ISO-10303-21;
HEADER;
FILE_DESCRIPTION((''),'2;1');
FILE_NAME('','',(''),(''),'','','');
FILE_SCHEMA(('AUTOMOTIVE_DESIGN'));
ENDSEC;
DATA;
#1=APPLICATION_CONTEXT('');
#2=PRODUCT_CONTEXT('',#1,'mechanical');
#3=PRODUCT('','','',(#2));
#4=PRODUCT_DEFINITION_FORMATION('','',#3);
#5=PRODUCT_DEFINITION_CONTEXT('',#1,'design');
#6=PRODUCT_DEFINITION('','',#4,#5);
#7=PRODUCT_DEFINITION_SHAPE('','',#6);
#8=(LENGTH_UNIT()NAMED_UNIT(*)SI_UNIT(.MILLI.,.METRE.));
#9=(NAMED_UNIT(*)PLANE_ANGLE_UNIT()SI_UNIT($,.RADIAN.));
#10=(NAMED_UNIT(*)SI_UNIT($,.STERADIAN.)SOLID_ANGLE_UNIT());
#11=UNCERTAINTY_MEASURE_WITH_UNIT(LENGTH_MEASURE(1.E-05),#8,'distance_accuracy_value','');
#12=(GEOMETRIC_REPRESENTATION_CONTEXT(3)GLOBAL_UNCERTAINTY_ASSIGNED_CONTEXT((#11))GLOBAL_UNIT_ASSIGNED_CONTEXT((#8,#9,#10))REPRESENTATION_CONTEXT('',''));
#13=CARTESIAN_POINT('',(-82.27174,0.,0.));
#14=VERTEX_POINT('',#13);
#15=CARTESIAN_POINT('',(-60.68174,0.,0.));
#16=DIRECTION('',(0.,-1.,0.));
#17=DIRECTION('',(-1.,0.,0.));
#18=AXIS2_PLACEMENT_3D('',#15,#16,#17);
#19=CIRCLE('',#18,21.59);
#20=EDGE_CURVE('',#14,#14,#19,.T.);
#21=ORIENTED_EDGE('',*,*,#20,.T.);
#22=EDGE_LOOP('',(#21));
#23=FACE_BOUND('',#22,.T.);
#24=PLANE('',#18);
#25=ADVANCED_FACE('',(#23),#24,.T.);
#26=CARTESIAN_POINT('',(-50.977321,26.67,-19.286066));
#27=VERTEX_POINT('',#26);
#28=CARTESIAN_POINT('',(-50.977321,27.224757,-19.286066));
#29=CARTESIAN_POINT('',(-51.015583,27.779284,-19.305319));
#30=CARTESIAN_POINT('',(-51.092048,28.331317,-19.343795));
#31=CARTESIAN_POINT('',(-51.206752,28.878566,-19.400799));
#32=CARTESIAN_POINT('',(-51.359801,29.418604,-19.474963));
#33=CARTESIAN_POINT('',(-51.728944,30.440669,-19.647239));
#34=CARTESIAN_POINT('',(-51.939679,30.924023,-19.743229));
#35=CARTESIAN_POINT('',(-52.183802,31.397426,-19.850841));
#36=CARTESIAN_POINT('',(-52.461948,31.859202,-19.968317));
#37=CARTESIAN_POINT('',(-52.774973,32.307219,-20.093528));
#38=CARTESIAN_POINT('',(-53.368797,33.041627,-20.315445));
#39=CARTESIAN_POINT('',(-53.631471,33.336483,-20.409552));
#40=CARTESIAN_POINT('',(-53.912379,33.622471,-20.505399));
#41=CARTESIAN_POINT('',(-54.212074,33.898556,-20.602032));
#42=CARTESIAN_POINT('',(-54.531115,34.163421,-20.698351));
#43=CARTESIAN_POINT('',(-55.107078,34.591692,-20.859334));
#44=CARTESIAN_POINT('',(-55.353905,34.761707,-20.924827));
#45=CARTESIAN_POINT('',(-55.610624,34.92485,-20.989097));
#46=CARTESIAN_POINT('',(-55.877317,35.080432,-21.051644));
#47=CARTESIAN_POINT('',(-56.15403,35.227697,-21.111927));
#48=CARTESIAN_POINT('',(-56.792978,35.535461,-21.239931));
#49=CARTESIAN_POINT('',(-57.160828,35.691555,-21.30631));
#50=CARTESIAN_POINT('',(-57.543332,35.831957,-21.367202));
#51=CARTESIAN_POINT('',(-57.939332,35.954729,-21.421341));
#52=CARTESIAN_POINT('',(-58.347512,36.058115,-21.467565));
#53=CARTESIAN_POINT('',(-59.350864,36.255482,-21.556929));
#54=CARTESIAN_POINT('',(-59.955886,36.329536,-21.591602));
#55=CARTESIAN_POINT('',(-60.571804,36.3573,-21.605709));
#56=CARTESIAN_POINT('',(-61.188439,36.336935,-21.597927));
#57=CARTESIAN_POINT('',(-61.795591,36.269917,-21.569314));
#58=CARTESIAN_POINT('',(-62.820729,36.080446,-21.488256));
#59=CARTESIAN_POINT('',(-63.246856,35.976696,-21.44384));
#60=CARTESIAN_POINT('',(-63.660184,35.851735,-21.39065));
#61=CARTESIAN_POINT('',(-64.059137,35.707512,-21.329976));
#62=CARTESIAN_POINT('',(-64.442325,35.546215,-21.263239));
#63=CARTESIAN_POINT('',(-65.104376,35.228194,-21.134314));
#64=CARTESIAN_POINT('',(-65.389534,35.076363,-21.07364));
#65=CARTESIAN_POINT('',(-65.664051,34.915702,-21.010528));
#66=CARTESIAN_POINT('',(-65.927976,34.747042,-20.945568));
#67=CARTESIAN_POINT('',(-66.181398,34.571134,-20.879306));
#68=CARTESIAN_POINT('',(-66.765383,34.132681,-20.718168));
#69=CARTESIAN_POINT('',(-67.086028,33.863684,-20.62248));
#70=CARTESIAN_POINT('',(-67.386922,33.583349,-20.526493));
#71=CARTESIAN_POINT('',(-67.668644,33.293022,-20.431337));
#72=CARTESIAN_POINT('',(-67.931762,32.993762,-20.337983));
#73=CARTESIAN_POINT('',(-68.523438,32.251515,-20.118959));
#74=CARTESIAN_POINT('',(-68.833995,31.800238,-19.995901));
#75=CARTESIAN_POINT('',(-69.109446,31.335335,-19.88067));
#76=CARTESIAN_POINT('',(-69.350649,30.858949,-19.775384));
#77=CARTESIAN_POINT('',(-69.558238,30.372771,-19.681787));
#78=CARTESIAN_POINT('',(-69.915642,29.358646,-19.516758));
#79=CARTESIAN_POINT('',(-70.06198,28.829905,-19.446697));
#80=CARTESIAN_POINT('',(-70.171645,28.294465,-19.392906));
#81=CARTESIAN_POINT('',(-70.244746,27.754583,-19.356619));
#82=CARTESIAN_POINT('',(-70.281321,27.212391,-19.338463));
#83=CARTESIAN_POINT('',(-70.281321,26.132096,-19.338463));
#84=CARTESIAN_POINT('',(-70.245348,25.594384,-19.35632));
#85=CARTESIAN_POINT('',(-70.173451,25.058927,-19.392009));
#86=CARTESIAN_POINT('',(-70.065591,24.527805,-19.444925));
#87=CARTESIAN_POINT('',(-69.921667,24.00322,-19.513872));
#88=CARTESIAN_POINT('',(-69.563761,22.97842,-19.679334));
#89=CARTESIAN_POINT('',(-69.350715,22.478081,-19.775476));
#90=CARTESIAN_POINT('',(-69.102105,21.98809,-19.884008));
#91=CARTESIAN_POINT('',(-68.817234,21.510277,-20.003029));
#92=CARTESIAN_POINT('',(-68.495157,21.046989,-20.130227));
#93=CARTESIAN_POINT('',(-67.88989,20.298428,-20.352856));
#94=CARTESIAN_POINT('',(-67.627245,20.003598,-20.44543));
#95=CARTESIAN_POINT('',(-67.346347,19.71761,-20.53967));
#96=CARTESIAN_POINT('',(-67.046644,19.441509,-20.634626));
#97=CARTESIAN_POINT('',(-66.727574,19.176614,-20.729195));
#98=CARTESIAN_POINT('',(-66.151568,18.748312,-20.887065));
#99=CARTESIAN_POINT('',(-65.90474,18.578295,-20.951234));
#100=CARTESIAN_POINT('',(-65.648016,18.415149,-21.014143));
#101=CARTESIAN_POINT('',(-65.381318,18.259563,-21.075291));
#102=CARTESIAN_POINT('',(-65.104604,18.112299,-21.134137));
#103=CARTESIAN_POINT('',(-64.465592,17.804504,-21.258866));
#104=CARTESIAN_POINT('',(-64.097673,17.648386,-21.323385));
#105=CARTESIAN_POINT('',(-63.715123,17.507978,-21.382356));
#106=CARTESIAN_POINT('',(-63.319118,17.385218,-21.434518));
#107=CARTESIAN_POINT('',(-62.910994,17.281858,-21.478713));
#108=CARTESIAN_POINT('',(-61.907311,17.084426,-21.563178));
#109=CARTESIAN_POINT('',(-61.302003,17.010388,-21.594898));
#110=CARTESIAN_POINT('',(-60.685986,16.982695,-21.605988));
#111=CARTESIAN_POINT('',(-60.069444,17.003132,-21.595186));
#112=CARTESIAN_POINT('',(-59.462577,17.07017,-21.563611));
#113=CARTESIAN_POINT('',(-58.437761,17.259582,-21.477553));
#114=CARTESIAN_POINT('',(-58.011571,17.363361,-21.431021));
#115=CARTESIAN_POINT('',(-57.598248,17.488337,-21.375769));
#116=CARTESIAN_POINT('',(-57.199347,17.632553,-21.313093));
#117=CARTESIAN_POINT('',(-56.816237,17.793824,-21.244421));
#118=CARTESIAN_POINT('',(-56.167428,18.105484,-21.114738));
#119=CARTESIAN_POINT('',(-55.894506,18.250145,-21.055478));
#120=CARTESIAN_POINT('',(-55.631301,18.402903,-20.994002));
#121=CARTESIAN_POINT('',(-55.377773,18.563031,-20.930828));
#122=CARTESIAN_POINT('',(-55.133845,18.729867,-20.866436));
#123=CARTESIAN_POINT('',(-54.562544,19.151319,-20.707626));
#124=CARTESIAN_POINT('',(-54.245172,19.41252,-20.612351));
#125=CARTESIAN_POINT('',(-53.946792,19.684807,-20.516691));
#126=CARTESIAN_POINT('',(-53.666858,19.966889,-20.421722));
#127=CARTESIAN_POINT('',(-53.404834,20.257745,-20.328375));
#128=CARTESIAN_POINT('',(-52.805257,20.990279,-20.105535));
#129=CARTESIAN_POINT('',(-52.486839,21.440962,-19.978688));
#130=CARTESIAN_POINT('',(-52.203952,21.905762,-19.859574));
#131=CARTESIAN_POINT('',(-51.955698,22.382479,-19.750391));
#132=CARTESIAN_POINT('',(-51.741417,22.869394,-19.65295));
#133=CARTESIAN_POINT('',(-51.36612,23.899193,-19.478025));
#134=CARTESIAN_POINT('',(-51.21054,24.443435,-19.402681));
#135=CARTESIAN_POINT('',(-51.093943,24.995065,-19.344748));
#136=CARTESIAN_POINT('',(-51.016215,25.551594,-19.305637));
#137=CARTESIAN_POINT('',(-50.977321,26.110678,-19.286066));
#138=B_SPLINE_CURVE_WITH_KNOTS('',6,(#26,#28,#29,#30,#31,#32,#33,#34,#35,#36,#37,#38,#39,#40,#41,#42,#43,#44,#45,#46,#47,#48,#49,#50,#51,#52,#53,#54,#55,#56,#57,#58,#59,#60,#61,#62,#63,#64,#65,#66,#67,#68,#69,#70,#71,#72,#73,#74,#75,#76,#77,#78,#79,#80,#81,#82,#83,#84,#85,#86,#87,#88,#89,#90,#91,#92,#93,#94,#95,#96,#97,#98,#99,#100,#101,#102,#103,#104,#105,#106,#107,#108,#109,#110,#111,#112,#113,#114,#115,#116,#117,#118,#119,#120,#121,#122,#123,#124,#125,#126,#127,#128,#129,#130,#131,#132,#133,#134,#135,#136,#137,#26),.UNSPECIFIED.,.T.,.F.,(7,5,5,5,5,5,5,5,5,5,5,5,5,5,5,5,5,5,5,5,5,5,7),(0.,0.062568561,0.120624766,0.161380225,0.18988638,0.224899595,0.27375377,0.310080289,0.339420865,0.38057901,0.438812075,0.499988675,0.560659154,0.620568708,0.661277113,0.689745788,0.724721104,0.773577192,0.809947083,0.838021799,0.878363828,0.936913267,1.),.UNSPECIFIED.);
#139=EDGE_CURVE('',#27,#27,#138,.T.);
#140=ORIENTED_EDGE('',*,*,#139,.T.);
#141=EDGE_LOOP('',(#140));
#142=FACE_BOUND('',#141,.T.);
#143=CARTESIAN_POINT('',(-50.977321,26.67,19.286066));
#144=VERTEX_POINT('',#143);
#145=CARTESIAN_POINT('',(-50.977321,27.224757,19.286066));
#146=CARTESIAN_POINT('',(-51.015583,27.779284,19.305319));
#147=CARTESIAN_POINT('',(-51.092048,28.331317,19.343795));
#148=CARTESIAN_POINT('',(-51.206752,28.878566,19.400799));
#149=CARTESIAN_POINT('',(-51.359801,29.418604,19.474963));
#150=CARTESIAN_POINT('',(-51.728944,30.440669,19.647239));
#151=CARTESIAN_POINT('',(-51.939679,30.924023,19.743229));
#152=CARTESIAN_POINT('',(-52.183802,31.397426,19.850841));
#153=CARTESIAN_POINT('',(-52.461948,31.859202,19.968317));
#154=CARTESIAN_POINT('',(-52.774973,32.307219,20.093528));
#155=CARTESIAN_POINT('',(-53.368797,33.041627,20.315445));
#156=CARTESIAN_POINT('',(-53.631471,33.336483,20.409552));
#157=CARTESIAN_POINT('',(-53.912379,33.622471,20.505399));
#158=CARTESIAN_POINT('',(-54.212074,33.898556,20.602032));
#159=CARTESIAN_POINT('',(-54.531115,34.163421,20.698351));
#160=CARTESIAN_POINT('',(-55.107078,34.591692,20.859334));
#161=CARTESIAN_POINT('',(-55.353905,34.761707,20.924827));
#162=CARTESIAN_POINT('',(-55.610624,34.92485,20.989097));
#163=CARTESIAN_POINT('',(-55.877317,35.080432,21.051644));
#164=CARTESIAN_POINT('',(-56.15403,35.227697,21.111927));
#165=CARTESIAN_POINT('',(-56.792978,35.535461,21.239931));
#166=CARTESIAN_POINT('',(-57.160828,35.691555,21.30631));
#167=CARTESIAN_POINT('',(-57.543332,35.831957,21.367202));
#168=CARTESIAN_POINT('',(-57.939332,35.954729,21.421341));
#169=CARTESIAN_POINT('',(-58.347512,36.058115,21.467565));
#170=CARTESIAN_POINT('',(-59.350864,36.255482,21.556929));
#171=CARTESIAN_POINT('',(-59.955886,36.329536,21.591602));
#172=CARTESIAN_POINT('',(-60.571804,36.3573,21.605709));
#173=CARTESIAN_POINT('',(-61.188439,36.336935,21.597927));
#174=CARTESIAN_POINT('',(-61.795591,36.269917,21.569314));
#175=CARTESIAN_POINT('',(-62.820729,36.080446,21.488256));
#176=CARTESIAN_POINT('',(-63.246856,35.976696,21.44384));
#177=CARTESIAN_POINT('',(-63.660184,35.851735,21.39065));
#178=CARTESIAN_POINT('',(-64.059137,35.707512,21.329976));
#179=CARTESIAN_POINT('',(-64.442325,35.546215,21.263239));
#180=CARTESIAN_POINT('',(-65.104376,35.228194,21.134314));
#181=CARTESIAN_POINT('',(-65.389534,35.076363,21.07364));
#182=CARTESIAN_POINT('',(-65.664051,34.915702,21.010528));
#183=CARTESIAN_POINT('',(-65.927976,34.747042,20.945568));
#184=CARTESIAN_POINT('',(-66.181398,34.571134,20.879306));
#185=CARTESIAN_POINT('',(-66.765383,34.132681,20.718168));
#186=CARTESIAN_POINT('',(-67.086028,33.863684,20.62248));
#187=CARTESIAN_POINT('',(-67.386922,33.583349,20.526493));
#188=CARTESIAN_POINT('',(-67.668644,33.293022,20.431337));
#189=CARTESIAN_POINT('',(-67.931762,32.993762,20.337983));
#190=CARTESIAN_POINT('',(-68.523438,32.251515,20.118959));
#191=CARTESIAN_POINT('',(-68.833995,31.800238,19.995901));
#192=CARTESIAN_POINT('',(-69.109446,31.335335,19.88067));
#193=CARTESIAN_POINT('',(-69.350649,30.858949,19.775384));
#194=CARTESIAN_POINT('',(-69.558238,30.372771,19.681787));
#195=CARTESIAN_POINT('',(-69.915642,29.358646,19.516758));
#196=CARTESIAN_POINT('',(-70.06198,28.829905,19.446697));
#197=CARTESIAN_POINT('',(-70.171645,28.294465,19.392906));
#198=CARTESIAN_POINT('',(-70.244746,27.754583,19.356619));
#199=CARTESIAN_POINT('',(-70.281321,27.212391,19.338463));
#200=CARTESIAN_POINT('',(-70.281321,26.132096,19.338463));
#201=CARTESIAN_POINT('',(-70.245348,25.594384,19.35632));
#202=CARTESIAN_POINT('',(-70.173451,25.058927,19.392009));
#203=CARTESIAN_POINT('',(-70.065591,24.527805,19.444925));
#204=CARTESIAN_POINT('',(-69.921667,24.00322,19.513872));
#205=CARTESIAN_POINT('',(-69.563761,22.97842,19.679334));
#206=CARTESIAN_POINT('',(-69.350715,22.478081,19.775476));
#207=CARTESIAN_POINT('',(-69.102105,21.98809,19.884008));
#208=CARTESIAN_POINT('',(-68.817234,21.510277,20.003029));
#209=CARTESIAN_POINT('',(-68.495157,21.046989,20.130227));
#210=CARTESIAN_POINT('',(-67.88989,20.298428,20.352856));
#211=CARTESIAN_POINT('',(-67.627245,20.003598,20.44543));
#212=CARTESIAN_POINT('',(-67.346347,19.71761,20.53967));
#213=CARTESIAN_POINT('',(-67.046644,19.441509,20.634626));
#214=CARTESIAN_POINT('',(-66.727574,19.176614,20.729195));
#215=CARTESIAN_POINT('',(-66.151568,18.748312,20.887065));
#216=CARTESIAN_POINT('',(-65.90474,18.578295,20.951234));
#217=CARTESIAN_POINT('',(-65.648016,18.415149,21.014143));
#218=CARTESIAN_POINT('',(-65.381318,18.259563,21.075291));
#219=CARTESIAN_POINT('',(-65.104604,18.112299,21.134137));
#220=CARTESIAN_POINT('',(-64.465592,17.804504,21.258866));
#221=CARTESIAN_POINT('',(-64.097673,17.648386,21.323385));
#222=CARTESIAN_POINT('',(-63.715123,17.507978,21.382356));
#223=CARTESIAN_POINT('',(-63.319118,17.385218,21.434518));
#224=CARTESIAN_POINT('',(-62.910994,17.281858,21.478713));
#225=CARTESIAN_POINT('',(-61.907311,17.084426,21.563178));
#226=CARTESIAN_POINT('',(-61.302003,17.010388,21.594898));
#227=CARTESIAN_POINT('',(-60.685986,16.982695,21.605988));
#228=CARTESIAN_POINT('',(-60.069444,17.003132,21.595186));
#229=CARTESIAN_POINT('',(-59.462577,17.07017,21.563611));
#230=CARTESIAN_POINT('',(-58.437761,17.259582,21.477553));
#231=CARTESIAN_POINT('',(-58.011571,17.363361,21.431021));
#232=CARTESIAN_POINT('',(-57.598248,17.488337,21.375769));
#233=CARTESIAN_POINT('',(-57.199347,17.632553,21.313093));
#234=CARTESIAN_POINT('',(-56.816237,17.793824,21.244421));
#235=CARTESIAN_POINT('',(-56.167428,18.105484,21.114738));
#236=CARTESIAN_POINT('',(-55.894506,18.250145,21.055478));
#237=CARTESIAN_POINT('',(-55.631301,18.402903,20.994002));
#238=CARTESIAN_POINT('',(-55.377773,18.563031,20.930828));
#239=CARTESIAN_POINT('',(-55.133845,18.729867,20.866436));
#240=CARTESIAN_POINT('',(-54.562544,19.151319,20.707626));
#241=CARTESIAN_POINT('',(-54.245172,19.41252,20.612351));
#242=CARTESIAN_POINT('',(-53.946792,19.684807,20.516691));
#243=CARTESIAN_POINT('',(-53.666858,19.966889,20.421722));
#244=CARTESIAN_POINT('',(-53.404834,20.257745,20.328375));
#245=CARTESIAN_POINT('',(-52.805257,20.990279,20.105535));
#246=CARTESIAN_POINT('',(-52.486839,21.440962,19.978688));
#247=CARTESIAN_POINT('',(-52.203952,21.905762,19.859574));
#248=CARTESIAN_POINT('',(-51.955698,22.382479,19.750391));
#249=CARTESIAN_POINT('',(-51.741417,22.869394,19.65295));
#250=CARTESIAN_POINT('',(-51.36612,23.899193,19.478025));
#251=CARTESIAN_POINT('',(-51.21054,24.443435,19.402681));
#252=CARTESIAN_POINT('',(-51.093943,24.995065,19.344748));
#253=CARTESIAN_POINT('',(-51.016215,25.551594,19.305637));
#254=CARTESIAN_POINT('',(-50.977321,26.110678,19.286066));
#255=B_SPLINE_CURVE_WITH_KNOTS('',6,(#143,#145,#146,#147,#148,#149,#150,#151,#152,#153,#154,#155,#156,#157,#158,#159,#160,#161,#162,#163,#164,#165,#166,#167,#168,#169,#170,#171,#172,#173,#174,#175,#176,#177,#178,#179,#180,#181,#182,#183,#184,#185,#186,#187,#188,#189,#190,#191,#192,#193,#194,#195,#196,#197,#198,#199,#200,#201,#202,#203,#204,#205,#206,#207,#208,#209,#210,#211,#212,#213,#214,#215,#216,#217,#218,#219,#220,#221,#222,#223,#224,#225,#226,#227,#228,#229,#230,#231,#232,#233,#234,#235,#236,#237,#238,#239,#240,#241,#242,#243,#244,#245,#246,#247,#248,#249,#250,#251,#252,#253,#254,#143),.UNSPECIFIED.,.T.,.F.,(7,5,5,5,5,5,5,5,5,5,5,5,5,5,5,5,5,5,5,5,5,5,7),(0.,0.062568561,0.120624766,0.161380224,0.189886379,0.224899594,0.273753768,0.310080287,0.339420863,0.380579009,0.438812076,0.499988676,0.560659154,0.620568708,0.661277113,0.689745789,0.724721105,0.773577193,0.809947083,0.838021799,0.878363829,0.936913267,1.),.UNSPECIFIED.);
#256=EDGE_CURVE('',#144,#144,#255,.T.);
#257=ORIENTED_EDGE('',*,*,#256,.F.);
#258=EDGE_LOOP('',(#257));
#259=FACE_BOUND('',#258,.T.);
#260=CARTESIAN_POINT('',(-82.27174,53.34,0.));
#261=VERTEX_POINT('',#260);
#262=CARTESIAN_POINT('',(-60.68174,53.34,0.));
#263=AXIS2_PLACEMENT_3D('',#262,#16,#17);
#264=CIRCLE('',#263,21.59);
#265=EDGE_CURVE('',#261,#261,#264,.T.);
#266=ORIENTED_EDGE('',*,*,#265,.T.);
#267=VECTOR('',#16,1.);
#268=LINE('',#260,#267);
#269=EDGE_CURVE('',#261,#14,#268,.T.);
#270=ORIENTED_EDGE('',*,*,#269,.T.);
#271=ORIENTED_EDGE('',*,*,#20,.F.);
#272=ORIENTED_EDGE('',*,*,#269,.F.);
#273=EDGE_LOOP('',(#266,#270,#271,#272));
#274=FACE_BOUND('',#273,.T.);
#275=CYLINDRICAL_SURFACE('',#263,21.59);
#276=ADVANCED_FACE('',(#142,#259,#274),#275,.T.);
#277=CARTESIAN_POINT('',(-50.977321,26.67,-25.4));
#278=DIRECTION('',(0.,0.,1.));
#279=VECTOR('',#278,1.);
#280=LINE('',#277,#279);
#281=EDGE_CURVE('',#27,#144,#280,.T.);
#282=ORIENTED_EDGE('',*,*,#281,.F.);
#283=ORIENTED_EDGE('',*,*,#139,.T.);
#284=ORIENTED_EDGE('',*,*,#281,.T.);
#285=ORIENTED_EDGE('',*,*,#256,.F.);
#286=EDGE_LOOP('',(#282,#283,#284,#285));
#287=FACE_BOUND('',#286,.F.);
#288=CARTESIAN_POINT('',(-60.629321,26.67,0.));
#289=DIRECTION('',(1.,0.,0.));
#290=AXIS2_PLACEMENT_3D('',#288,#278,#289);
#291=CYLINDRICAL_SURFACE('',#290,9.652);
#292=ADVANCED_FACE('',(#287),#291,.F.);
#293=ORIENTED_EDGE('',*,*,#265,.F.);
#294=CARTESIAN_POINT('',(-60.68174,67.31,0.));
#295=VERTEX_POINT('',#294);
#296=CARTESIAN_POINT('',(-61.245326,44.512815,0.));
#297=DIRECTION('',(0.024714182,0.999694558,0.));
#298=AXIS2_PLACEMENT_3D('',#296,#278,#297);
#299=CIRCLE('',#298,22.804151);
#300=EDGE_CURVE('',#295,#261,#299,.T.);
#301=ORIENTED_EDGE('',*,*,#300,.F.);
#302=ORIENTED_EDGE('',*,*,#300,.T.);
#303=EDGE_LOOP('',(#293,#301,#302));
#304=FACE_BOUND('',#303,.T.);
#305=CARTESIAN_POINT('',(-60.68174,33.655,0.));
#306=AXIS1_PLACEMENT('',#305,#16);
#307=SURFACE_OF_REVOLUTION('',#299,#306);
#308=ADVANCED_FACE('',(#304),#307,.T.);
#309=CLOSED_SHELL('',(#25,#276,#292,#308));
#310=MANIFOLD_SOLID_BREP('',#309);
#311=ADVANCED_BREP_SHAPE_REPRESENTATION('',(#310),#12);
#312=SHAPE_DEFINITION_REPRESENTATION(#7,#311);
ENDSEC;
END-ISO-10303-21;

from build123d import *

# Parameters (mm, degrees)
F2_R     = 9.652
F3_DEPTH = 25.4


with BuildPart() as f1:
    # F0 (on Top) → F1 (revolve)
    with BuildSketch(Plane.XY):
        with BuildLine():
            Line((-82.27174, 53.34), (-82.27174, 0))
            Line((-82.27174, 0), (-60.68174, 0))
            Line((-60.68174, 0), (-60.68174, 67.31))
            ThreePointArc((-60.68174, 67.31), (-73.63371, 63.658499), (-82.27174, 53.34))
        make_face()
    revolve(axis=Axis((-60.68174, 33.655, 0), (0, -1, 0)))

    # F2 (on Top) → F3 (cut, symmetric)
    with BuildSketch(Plane.XY):
        with Locations((-60.629321, 26.67)):
            Circle(F2_R)
    extrude(amount=F3_DEPTH, both=True, mode=Mode.SUBTRACT)


solid = f1.part
